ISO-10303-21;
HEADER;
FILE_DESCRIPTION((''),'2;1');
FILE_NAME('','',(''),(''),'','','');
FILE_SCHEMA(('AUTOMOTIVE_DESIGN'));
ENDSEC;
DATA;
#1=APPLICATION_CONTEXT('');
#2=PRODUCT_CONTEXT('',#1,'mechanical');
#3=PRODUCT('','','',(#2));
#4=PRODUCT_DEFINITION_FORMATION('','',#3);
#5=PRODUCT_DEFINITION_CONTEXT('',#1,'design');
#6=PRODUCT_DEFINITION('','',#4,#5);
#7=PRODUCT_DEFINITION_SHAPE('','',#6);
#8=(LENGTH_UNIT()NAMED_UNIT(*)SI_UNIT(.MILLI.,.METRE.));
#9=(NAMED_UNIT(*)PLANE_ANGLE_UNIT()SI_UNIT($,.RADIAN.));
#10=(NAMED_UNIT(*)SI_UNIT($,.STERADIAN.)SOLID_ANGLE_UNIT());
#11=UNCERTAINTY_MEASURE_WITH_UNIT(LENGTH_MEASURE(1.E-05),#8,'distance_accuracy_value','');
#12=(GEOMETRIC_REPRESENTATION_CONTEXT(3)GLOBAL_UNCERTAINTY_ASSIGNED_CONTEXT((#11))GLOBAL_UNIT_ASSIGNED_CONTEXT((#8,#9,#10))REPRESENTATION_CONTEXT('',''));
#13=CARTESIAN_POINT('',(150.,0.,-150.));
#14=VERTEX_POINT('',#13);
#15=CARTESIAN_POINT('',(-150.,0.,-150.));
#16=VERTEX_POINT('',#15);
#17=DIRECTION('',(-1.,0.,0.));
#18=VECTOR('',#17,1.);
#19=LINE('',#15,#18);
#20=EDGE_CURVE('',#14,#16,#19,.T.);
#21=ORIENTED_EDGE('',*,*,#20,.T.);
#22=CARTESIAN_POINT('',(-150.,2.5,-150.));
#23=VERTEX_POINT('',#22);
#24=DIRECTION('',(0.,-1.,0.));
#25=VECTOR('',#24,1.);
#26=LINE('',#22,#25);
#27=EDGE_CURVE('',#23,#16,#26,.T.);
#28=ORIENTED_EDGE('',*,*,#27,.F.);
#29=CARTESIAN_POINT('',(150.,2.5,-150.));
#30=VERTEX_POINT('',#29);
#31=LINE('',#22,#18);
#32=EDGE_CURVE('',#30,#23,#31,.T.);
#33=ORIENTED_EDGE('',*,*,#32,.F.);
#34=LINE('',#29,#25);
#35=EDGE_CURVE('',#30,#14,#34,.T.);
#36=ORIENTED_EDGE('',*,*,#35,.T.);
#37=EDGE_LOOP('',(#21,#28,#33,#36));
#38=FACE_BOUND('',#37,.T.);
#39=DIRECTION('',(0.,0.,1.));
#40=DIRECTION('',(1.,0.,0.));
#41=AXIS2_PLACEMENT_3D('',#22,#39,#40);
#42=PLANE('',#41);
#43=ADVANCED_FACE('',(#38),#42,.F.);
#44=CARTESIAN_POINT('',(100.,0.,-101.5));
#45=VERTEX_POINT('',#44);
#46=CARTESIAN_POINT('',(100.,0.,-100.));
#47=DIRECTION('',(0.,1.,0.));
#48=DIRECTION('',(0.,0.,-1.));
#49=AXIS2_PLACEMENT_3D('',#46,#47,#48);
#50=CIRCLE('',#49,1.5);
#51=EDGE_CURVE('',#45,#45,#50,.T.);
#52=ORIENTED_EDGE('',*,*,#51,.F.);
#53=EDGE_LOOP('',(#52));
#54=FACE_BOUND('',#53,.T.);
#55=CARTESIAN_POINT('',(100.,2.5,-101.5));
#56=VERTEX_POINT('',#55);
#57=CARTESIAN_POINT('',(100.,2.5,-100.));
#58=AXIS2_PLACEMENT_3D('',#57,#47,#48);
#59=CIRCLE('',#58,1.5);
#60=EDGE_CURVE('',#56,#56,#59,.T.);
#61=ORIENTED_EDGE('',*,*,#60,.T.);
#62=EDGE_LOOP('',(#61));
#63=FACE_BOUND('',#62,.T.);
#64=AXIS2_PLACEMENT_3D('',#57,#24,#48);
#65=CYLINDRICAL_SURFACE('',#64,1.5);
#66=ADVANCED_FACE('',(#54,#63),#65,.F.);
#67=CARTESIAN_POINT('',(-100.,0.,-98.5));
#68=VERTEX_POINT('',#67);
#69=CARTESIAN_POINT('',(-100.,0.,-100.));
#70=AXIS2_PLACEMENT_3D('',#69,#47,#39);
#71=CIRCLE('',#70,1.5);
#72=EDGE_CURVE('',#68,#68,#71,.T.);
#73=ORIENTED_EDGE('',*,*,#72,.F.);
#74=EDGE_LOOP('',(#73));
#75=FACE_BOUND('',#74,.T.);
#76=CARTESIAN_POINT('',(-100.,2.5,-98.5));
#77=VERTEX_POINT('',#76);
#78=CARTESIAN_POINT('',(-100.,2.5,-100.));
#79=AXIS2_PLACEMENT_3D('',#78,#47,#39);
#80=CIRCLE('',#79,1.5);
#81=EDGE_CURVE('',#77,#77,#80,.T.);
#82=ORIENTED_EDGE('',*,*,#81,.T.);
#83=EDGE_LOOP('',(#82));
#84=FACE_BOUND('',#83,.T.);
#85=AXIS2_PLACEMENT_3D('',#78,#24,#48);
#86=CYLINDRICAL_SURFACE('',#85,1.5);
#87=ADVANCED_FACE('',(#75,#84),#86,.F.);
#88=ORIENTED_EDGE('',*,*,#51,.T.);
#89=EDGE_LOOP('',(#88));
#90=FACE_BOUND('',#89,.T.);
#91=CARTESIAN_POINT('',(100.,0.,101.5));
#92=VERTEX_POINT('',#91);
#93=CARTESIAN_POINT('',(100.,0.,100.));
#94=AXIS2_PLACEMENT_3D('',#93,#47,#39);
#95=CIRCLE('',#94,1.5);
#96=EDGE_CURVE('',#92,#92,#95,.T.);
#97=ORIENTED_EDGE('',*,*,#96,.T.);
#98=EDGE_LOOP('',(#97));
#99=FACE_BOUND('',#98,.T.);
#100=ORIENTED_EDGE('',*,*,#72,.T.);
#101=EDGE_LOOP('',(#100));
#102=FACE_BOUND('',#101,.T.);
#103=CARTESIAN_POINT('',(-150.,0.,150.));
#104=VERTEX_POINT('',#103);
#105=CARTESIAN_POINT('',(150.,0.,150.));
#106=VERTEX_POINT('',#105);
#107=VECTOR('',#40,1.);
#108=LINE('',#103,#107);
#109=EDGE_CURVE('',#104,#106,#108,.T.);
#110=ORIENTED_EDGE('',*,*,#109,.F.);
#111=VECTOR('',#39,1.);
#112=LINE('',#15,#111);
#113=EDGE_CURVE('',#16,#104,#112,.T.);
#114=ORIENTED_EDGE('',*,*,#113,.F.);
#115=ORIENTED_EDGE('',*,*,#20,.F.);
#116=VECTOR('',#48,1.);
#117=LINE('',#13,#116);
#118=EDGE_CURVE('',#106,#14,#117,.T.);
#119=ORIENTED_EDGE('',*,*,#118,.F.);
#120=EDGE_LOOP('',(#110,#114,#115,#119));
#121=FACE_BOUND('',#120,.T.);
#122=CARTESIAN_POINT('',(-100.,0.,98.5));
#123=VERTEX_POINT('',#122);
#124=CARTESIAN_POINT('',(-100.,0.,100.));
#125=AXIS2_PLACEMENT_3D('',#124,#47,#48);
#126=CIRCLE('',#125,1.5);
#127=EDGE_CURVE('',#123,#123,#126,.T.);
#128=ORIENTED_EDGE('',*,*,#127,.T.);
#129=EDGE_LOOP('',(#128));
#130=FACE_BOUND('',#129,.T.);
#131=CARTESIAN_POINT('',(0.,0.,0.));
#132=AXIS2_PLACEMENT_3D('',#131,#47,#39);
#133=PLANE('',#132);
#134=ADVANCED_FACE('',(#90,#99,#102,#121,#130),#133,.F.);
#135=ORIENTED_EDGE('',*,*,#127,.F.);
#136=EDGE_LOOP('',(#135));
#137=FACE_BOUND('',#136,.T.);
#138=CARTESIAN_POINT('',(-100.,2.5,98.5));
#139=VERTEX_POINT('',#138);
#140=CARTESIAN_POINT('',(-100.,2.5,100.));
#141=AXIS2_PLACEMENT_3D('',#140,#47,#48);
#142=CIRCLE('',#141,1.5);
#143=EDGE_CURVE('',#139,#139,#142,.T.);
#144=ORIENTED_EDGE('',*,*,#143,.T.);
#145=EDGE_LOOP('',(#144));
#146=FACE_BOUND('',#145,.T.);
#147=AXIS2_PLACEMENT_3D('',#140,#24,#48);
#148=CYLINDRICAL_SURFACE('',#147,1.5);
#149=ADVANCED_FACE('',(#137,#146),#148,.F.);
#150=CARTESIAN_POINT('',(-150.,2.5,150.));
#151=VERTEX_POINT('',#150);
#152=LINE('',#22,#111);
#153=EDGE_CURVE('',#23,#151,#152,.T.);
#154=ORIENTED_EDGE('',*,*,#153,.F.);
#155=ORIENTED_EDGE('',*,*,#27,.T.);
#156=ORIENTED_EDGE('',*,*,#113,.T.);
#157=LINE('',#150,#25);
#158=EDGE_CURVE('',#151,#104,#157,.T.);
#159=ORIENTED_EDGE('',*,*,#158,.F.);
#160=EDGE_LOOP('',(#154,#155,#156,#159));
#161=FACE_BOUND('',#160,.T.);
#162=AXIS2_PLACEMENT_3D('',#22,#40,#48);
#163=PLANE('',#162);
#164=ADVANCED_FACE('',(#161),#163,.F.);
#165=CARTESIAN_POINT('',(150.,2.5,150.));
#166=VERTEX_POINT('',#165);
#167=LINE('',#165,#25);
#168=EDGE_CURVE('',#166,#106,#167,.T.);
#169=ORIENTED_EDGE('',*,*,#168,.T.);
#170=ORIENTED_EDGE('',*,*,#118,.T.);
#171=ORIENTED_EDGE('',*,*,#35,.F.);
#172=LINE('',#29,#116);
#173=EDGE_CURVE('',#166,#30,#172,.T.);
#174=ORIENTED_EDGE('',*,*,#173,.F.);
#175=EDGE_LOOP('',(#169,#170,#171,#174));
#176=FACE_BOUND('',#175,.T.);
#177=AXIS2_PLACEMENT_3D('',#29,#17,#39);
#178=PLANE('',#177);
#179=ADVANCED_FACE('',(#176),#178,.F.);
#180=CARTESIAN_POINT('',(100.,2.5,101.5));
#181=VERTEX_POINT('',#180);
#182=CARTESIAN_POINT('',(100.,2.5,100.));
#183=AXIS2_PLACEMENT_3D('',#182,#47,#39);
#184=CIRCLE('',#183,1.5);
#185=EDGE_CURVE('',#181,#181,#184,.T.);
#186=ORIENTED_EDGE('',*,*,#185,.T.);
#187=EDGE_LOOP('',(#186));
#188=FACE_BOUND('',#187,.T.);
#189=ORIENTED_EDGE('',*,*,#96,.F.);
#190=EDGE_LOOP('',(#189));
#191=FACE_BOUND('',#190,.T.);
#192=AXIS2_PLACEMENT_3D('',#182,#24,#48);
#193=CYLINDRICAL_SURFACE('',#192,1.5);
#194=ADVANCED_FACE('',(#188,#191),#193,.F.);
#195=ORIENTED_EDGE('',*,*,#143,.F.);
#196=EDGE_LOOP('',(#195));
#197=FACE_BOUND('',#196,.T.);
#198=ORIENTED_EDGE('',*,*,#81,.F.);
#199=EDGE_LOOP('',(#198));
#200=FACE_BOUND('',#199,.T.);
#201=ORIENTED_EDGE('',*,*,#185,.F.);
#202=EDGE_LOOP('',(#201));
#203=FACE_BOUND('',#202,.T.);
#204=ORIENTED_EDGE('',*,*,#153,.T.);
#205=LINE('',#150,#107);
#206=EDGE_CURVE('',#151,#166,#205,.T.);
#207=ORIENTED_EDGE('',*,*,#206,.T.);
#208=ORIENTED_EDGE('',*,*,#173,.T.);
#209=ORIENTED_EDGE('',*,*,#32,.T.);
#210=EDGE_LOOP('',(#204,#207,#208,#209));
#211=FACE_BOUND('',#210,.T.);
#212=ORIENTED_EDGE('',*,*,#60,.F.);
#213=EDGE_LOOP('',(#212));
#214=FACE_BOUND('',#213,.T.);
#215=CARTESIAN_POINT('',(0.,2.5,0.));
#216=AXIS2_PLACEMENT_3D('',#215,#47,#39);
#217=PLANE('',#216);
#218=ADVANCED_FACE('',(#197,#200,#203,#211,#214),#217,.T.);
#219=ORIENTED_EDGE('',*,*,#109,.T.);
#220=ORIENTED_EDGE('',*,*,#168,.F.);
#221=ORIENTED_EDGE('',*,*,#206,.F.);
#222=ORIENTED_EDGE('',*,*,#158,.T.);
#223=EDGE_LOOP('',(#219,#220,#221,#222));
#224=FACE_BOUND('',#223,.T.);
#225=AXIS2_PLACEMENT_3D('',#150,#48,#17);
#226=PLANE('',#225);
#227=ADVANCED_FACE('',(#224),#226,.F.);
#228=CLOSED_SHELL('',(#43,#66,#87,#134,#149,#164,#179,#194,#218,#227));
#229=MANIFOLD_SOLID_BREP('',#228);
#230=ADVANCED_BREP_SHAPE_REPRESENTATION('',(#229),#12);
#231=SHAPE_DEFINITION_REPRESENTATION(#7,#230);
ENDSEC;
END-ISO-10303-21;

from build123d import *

# Parameters (mm, degrees)
SKETCH1_W           = 300
SKETCH1_H           = 300
SKETCH1_R           = 1.5
BOSS_EXTRUDE1_DEPTH = 2.5


with BuildPart() as part:
    # Sketch1 → Boss-Extrude1 (new body)
    with BuildSketch(Plane(origin=(0, 0, 0), x_dir=(1, 0, 0), z_dir=(0, 1, 0))):
        Rectangle(SKETCH1_W, SKETCH1_H)
        with Locations((-100, 100)):
            Circle(SKETCH1_R, mode=Mode.SUBTRACT)
        with Locations((100, 100)):
            Circle(SKETCH1_R, mode=Mode.SUBTRACT)
        with Locations((-100, -100)):
            Circle(SKETCH1_R, mode=Mode.SUBTRACT)
        with Locations((100, -100)):
            Circle(SKETCH1_R, mode=Mode.SUBTRACT)
    extrude(amount=BOSS_EXTRUDE1_DEPTH)


solid = part.part
